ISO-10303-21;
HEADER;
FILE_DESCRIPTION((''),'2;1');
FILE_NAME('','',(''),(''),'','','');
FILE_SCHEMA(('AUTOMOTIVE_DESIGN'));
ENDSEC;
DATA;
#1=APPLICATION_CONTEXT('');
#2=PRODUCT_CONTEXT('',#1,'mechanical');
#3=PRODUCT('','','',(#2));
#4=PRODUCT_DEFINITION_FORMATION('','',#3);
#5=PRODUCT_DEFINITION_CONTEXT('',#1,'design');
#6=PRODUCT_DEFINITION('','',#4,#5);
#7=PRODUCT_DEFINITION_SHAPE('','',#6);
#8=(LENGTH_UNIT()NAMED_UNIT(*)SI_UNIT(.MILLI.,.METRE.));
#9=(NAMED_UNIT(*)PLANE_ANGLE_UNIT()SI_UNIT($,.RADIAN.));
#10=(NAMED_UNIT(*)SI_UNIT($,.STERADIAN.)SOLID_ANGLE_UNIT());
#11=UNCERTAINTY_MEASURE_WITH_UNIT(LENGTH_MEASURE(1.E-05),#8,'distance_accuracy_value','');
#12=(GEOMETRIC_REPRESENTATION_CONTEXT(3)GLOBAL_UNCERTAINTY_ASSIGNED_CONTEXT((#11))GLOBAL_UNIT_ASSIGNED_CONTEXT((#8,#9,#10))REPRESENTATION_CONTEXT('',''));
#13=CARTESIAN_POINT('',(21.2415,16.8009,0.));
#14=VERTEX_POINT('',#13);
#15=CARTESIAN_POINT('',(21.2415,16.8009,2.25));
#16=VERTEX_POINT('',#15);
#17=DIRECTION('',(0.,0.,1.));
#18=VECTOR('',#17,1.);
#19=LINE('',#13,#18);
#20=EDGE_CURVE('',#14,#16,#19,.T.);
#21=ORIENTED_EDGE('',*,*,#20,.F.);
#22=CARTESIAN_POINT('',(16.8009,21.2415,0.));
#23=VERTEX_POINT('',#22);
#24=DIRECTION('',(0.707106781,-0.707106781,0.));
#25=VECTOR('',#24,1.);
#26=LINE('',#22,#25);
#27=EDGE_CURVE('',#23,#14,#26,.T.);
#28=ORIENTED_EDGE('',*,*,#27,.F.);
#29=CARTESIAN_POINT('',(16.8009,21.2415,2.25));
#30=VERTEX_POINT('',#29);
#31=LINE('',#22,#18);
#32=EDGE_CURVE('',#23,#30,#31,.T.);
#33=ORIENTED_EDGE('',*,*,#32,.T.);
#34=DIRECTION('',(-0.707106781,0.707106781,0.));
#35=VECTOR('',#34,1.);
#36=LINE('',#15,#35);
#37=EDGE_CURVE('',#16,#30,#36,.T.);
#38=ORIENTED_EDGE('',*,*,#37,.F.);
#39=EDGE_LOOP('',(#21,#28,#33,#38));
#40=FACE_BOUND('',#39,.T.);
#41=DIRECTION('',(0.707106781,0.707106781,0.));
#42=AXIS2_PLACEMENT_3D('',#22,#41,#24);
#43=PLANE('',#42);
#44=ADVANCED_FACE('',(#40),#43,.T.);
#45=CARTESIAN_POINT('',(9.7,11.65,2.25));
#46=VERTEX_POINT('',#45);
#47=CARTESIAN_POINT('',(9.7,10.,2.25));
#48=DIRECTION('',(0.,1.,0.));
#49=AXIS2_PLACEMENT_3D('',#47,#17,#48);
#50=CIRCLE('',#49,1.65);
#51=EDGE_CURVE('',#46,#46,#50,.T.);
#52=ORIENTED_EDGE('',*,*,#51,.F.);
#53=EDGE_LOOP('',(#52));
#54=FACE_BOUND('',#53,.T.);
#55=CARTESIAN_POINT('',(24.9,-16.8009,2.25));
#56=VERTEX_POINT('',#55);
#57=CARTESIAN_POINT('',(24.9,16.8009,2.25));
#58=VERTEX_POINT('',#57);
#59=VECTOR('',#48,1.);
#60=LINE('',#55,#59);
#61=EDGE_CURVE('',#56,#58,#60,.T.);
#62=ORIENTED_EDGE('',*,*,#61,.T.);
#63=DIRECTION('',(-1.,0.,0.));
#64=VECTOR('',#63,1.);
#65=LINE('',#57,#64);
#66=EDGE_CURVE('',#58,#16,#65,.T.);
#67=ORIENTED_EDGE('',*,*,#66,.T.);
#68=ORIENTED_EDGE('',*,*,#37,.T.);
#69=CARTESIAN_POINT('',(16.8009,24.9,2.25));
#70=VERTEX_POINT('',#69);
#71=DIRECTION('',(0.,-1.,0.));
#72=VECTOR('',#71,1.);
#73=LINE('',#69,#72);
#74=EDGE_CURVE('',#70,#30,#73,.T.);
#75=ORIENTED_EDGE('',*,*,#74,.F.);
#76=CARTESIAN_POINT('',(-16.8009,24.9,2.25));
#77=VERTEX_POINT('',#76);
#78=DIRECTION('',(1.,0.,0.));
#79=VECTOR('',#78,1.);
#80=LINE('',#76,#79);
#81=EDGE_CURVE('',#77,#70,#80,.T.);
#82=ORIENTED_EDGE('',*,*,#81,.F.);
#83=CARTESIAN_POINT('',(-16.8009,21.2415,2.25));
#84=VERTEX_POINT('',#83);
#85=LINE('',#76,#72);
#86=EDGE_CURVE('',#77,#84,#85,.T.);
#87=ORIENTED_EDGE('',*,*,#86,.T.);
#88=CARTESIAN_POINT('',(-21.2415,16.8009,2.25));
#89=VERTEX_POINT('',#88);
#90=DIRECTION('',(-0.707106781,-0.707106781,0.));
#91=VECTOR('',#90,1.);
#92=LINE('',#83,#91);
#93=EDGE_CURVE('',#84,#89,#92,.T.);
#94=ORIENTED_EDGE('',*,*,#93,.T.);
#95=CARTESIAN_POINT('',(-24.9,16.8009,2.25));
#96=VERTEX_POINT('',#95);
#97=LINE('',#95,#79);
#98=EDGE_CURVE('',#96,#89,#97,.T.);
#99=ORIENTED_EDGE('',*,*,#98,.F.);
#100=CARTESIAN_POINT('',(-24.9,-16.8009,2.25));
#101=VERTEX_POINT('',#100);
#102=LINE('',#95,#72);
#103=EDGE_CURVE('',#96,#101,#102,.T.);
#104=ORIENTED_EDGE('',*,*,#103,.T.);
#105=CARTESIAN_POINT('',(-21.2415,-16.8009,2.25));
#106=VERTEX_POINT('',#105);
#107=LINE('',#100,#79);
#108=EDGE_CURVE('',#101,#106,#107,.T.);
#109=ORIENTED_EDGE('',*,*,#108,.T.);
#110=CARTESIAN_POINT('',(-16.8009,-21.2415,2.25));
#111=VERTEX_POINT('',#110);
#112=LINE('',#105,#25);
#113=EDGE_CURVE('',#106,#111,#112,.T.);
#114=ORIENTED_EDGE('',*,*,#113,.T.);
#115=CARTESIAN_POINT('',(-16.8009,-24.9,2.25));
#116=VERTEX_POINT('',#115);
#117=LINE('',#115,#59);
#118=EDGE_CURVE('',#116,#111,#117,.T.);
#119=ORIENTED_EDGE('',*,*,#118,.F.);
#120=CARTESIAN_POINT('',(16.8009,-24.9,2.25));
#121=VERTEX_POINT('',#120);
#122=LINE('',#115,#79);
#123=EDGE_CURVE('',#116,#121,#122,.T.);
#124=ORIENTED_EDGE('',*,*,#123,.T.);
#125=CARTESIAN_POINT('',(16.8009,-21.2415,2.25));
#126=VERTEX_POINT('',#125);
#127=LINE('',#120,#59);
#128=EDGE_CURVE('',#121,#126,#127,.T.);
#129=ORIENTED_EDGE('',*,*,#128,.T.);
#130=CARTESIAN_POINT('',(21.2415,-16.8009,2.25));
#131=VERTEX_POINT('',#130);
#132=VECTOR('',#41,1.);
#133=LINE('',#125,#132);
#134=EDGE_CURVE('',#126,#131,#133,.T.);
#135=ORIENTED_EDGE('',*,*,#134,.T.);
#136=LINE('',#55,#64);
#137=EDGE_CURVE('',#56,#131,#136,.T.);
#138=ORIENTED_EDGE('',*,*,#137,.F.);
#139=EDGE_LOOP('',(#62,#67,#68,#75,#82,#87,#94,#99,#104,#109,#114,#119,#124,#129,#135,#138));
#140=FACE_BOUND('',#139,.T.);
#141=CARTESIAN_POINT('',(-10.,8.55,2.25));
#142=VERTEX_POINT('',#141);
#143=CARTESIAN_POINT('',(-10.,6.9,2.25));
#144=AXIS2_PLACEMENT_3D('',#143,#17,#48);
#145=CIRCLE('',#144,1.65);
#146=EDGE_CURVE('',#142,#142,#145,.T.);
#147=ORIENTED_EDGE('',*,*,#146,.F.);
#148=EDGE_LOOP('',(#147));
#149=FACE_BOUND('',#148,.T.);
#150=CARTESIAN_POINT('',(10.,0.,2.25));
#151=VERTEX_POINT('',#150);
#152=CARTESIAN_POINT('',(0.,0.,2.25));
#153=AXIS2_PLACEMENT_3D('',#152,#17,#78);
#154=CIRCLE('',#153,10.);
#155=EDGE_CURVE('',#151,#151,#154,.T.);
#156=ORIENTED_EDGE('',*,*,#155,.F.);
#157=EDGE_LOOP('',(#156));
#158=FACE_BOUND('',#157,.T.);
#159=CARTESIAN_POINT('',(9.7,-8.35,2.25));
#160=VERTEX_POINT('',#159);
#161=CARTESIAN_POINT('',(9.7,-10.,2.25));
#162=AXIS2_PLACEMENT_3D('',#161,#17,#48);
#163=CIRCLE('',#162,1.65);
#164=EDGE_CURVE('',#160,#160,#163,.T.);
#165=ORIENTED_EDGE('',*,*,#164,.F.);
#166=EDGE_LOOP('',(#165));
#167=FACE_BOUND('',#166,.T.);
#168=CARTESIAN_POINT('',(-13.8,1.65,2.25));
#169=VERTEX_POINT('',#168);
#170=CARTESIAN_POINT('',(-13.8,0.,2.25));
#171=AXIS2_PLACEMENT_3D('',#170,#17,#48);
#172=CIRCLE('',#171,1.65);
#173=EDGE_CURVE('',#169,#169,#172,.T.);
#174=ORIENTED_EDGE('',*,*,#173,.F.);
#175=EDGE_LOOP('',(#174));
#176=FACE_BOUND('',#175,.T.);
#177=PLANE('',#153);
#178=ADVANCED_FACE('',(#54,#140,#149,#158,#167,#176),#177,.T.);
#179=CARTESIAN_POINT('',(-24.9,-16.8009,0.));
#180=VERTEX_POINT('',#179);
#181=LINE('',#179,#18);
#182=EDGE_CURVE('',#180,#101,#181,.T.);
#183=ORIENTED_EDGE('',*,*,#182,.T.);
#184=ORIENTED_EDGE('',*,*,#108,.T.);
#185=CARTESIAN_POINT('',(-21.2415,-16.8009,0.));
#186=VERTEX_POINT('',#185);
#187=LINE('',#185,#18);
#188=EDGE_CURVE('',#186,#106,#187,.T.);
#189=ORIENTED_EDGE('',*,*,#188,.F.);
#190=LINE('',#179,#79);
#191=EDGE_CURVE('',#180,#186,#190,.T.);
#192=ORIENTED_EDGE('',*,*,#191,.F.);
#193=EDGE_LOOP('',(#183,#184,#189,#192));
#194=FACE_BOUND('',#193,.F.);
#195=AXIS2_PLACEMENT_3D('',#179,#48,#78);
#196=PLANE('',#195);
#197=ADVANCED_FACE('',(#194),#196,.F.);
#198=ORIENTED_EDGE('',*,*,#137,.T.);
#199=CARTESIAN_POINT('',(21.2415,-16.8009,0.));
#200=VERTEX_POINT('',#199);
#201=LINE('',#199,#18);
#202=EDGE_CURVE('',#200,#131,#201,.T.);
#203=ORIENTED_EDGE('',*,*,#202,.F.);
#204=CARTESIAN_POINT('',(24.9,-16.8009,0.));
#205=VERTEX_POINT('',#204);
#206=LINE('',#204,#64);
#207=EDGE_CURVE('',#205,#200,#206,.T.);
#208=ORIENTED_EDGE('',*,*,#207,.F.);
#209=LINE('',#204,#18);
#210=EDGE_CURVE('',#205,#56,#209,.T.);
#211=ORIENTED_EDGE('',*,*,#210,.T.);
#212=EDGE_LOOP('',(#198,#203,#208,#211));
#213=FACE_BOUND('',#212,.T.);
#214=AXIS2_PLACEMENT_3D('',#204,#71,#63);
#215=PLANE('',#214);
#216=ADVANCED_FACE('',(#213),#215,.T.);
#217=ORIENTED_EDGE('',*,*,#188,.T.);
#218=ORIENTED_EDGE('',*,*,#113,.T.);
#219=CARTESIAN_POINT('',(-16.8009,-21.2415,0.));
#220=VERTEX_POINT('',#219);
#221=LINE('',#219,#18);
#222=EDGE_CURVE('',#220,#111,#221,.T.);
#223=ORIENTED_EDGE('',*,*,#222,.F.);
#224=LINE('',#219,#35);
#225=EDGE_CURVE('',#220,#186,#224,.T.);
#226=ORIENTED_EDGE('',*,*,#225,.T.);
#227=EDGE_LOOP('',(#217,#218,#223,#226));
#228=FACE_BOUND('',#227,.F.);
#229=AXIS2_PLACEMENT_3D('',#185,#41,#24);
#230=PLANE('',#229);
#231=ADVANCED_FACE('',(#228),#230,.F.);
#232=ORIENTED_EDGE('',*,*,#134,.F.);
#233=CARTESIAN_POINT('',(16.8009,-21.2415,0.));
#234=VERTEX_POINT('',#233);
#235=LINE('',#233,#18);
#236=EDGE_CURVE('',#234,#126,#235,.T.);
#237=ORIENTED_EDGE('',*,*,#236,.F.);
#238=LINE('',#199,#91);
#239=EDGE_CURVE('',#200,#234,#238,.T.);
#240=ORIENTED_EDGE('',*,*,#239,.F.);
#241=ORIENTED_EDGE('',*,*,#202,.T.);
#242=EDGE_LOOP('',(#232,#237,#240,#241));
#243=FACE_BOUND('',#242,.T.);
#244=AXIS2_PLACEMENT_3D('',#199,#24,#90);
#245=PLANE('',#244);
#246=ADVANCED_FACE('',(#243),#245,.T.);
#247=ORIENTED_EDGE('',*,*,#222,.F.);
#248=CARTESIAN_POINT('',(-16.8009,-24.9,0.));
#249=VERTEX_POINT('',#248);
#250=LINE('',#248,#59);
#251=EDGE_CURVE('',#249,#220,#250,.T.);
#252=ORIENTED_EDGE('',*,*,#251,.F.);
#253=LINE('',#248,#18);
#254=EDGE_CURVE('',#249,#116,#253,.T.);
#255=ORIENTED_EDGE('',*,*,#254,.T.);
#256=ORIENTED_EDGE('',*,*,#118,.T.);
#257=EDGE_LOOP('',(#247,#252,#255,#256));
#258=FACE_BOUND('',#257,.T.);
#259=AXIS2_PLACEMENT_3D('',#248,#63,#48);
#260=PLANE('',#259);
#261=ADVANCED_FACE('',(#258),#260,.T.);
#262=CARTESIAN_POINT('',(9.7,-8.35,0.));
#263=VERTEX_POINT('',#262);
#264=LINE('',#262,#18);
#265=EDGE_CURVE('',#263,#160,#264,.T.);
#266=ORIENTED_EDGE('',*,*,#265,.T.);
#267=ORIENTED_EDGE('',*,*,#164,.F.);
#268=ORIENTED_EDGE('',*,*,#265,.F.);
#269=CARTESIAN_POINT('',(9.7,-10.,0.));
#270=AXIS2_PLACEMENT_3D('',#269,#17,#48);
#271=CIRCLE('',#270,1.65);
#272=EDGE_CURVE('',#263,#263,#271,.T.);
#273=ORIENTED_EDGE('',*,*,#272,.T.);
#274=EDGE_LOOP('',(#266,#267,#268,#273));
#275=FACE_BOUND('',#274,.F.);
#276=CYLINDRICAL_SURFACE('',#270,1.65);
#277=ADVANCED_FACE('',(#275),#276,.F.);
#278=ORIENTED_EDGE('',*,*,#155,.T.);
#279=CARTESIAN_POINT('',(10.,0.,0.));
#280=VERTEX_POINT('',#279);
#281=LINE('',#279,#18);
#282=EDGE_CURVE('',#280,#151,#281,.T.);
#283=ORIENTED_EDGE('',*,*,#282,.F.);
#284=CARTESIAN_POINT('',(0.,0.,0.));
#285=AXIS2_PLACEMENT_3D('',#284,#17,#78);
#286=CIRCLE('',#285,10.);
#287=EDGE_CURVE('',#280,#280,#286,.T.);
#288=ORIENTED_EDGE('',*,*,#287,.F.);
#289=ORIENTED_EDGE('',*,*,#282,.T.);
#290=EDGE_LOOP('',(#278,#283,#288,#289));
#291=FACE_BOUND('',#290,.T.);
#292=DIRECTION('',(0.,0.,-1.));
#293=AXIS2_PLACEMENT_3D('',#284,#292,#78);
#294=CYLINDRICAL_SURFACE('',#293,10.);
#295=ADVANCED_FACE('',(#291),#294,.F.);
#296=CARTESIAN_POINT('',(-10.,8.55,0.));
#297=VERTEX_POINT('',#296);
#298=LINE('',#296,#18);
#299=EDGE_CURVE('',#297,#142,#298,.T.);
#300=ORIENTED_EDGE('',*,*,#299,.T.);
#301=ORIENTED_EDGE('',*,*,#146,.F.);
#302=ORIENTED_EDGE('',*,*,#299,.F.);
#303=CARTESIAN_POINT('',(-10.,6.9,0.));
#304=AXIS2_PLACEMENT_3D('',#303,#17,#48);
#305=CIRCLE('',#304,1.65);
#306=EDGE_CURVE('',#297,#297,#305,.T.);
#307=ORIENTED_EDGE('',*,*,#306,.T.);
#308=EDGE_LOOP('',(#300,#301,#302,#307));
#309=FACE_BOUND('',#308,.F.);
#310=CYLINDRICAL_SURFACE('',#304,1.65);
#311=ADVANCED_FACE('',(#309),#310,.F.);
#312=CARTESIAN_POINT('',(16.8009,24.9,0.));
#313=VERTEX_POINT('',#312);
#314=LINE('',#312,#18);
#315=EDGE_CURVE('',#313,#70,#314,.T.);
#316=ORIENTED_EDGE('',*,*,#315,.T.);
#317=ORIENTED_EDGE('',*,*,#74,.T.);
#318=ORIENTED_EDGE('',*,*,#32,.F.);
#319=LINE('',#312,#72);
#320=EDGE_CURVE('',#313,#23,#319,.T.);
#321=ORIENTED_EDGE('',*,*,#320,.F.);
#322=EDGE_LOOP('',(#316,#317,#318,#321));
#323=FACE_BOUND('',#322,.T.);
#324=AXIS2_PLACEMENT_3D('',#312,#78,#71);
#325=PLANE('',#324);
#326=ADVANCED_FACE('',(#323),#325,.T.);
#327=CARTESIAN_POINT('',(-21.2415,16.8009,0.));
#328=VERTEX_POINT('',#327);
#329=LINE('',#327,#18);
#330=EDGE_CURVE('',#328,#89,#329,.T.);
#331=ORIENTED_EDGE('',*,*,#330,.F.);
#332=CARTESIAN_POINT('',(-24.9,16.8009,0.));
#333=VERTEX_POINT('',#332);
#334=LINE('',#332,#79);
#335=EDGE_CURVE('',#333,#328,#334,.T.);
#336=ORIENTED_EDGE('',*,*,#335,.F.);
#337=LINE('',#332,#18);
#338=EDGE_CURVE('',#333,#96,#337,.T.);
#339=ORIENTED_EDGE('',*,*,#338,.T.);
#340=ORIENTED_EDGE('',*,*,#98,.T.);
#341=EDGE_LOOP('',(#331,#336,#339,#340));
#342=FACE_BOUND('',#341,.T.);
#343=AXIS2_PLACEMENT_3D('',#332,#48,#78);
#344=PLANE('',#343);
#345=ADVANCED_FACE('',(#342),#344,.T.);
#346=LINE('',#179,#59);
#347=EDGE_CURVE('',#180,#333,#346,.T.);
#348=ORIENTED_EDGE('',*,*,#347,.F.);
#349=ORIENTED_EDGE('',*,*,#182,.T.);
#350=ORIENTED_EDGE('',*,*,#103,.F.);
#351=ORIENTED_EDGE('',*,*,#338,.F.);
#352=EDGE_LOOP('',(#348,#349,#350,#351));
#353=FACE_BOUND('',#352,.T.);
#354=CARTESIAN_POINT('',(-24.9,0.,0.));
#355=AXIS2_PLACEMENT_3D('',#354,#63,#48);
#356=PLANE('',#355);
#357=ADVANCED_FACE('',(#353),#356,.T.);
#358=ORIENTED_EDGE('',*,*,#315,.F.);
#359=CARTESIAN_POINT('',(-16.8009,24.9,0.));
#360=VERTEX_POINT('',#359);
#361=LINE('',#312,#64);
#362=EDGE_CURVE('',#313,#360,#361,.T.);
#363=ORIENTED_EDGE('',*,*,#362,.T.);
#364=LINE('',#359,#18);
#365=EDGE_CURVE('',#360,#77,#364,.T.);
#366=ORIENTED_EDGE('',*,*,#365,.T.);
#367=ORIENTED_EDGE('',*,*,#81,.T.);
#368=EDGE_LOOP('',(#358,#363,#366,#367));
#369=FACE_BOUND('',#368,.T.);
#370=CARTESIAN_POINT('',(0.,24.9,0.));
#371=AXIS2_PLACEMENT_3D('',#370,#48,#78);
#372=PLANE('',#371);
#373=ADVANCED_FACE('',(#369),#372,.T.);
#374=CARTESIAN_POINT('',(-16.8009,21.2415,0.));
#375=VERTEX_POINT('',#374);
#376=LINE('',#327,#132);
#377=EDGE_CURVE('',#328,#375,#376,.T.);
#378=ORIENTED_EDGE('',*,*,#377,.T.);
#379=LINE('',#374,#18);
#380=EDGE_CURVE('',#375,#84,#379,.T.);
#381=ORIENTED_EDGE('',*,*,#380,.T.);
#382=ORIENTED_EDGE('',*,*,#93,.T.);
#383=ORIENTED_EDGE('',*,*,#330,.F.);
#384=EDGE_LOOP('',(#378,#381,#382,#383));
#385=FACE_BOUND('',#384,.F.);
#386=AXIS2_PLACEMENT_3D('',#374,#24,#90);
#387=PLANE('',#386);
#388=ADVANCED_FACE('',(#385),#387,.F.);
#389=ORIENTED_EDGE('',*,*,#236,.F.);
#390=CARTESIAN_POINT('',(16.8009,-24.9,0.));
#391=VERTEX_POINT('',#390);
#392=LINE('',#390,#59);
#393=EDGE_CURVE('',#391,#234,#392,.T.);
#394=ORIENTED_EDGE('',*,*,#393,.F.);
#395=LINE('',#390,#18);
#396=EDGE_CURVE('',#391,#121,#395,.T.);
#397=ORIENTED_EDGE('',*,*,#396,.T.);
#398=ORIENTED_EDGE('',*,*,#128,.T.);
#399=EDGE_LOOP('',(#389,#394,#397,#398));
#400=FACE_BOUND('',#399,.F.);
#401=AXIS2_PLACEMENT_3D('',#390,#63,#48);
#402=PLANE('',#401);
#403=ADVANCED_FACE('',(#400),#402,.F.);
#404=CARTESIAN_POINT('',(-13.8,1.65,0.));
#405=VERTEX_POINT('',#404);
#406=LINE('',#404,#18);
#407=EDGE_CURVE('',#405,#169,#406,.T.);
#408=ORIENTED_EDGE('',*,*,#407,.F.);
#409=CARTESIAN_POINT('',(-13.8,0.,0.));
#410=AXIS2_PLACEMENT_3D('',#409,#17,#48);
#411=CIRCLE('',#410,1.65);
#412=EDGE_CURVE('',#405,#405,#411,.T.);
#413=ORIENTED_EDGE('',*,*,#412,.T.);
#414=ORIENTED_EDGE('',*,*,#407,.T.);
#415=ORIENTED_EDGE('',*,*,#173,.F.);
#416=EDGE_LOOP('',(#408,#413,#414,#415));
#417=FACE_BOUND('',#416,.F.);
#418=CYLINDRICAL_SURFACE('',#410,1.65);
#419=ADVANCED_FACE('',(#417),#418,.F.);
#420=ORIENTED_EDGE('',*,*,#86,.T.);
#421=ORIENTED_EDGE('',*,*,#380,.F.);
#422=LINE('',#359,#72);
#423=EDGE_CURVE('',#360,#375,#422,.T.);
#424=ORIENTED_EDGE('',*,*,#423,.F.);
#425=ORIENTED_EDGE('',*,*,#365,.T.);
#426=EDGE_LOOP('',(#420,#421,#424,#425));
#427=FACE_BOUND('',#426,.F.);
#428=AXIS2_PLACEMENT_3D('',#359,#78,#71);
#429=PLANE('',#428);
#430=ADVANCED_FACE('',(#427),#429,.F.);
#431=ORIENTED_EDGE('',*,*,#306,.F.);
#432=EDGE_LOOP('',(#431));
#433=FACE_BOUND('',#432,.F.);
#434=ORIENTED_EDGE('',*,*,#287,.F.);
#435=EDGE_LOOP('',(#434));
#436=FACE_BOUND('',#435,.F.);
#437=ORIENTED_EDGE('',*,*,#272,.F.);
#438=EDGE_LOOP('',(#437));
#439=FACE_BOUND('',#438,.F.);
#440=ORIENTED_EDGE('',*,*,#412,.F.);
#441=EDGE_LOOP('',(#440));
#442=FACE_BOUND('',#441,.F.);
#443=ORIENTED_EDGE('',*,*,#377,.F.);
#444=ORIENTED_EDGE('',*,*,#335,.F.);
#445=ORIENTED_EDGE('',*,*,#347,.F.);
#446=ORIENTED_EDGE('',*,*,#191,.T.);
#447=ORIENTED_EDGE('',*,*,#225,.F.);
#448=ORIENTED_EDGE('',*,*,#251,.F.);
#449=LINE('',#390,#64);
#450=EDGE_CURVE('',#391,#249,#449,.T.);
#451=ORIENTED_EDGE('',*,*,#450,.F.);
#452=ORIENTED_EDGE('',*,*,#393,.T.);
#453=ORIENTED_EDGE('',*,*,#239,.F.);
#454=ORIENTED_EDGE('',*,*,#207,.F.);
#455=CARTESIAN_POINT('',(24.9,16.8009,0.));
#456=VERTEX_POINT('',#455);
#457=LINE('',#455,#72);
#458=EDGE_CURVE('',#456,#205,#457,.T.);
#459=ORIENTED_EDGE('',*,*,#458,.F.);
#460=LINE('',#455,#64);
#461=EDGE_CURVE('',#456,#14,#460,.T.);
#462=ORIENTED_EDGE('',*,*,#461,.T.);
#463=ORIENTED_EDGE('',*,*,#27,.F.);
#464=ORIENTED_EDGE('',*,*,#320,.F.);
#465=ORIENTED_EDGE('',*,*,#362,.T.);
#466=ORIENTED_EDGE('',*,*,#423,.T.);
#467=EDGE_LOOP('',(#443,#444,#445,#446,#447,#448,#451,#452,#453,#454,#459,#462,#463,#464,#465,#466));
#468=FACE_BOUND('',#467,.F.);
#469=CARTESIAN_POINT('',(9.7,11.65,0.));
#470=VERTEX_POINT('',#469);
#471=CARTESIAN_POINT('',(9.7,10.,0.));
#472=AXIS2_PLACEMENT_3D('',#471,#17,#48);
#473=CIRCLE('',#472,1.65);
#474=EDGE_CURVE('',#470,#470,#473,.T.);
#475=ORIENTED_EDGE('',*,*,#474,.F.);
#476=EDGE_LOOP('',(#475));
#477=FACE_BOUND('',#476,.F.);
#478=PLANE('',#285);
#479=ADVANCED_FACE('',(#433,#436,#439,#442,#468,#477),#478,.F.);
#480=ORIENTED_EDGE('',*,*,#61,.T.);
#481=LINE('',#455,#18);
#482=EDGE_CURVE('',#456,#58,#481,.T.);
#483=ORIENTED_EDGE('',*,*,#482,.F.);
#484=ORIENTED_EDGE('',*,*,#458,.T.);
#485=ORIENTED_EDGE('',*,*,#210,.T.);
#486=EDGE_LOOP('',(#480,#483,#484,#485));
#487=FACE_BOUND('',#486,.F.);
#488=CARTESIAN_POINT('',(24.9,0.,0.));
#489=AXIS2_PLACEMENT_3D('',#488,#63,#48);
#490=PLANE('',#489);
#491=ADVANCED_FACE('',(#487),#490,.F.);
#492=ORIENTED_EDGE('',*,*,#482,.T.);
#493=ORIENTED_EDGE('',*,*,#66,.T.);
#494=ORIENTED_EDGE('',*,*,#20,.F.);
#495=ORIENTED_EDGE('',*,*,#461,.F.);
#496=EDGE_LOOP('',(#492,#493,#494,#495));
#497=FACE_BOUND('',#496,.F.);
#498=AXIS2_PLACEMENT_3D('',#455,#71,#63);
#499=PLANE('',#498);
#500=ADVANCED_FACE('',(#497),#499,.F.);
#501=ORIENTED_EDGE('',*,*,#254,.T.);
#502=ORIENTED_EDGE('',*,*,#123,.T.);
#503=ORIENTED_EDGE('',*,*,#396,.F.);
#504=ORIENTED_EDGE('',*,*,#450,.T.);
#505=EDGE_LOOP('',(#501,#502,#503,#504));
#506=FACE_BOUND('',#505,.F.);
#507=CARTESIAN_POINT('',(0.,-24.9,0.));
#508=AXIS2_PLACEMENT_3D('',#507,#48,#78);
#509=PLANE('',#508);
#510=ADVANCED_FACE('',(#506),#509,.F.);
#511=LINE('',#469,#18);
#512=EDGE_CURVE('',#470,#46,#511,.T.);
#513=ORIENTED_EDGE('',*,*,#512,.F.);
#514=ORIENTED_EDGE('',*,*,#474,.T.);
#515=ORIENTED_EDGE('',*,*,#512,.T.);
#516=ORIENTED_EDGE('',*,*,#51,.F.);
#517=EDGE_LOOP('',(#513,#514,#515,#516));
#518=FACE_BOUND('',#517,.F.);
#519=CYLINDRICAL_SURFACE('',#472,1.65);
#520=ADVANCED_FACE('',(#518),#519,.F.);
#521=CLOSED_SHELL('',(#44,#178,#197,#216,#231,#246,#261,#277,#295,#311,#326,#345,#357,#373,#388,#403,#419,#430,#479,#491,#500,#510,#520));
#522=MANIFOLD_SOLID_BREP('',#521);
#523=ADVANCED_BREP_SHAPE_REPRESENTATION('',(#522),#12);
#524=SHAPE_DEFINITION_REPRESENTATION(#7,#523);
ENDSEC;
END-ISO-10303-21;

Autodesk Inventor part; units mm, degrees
ref_plane "YZ Plane" through (0, 0, 0) normal (1, 0, 0) x (0, 1, 0)
ref_plane "Work Plane1" through (-29.1, -14.5, 2.4) normal (0, 0, -1) x (0, 1, 0)
ref_plane "Work Plane2" through (-13.8999, -10.5497, 2.25) normal (0, 0, -1) x (0, 1, 0)
sketch "Sketch1" plane through (0, 0, 0) normal (0, 0, 1) x (1, 0, 0)
  line L0 (-34.86, 0) -> (34.86, 0) construction
  line L1 (0, -34.86) -> (0, 34.86) construction
  line L2 (0, 0) -> (11.1575, 11.1575) construction
  line L3 (0, 0) -> (15.7791, 0) construction
  line L4 (0, 24.9) -> (16.8009, 24.9)
  line L5 (16.8009, 24.9) -> (16.8009, 21.2415)
  line L6 (16.8009, 21.2415) -> (19.0212, 19.0212)
  line L7 (24.9, 0) -> (24.9, 16.8009)
  line L8 (24.9, 16.8009) -> (21.2415, 16.8009)
  line L9 (21.2415, 16.8009) -> (19.0212, 19.0212)
  line L10 (0, -24.9) -> (16.8009, -24.9)
  line L11 (16.8009, -24.9) -> (16.8009, -21.2415)
  line L12 (16.8009, -21.2415) -> (19.0212, -19.0212)
  line L13 (24.9, 0) -> (24.9, -16.8009)
  line L14 (24.9, -16.8009) -> (21.2415, -16.8009)
  line L15 (21.2415, -16.8009) -> (19.0212, -19.0212)
  line L16 (0, 24.9) -> (-16.8009, 24.9)
  line L17 (-16.8009, 24.9) -> (-16.8009, 21.2415)
  line L18 (-16.8009, 21.2415) -> (-19.0212, 19.0212)
  line L19 (-24.9, 16.8009) -> (-21.2415, 16.8009)
  line L20 (-21.2415, 16.8009) -> (-19.0212, 19.0212)
  line L21 (0, -24.9) -> (-16.8009, -24.9)
  line L22 (-16.8009, -24.9) -> (-16.8009, -21.2415)
  line L23 (-16.8009, -21.2415) -> (-19.0212, -19.0212)
  line L24 (-21.2415, -16.8009) -> (-19.0212, -19.0212)
  line L25 (-24.9, -16.8009) -> (-21.2415, -16.8009)
  line L26 (-24.9, 0) -> (-24.9, -16.8009)
  line L27 (-24.9, 0) -> (-24.9, 16.8009)
  circle A0 centre (0, 0) radius 10
  dimension "d0" = 45
  dimension "d2" = 24.9
  dimension "d3" = 3.14
  dimension "d4" = 26.9
  dimension "d5" = 20
extrude "Extrusion1" add sketch "Sketch1" along normal up to surface (2.25 mm away)
sketch "Sketch5" plane through (0, 0, 0) normal (0, 0, -1) x (-1, 0, 0)
  circle A0 centre (-9.7, 10) radius 1.4
  circle A1 centre (-9.7, -10) radius 1.4
  circle A2 centre (13.8, 0) radius 1.4
  circle A3 centre (-10, 6.9) radius 0.75
  circle A4 centre (10, 6.9) radius 1.25
  point P0 (0, 0)
hole "Hole1" at (-13.8, 0, 0) at (9.7, -10, 0) at (-10, 6.9, 0) at (9.7, 10, 0) direction (0, 0, 1) diameter 3.3 depth 12 tip angle 118
properties part number "20_Cube_insert_Sample_holder"
